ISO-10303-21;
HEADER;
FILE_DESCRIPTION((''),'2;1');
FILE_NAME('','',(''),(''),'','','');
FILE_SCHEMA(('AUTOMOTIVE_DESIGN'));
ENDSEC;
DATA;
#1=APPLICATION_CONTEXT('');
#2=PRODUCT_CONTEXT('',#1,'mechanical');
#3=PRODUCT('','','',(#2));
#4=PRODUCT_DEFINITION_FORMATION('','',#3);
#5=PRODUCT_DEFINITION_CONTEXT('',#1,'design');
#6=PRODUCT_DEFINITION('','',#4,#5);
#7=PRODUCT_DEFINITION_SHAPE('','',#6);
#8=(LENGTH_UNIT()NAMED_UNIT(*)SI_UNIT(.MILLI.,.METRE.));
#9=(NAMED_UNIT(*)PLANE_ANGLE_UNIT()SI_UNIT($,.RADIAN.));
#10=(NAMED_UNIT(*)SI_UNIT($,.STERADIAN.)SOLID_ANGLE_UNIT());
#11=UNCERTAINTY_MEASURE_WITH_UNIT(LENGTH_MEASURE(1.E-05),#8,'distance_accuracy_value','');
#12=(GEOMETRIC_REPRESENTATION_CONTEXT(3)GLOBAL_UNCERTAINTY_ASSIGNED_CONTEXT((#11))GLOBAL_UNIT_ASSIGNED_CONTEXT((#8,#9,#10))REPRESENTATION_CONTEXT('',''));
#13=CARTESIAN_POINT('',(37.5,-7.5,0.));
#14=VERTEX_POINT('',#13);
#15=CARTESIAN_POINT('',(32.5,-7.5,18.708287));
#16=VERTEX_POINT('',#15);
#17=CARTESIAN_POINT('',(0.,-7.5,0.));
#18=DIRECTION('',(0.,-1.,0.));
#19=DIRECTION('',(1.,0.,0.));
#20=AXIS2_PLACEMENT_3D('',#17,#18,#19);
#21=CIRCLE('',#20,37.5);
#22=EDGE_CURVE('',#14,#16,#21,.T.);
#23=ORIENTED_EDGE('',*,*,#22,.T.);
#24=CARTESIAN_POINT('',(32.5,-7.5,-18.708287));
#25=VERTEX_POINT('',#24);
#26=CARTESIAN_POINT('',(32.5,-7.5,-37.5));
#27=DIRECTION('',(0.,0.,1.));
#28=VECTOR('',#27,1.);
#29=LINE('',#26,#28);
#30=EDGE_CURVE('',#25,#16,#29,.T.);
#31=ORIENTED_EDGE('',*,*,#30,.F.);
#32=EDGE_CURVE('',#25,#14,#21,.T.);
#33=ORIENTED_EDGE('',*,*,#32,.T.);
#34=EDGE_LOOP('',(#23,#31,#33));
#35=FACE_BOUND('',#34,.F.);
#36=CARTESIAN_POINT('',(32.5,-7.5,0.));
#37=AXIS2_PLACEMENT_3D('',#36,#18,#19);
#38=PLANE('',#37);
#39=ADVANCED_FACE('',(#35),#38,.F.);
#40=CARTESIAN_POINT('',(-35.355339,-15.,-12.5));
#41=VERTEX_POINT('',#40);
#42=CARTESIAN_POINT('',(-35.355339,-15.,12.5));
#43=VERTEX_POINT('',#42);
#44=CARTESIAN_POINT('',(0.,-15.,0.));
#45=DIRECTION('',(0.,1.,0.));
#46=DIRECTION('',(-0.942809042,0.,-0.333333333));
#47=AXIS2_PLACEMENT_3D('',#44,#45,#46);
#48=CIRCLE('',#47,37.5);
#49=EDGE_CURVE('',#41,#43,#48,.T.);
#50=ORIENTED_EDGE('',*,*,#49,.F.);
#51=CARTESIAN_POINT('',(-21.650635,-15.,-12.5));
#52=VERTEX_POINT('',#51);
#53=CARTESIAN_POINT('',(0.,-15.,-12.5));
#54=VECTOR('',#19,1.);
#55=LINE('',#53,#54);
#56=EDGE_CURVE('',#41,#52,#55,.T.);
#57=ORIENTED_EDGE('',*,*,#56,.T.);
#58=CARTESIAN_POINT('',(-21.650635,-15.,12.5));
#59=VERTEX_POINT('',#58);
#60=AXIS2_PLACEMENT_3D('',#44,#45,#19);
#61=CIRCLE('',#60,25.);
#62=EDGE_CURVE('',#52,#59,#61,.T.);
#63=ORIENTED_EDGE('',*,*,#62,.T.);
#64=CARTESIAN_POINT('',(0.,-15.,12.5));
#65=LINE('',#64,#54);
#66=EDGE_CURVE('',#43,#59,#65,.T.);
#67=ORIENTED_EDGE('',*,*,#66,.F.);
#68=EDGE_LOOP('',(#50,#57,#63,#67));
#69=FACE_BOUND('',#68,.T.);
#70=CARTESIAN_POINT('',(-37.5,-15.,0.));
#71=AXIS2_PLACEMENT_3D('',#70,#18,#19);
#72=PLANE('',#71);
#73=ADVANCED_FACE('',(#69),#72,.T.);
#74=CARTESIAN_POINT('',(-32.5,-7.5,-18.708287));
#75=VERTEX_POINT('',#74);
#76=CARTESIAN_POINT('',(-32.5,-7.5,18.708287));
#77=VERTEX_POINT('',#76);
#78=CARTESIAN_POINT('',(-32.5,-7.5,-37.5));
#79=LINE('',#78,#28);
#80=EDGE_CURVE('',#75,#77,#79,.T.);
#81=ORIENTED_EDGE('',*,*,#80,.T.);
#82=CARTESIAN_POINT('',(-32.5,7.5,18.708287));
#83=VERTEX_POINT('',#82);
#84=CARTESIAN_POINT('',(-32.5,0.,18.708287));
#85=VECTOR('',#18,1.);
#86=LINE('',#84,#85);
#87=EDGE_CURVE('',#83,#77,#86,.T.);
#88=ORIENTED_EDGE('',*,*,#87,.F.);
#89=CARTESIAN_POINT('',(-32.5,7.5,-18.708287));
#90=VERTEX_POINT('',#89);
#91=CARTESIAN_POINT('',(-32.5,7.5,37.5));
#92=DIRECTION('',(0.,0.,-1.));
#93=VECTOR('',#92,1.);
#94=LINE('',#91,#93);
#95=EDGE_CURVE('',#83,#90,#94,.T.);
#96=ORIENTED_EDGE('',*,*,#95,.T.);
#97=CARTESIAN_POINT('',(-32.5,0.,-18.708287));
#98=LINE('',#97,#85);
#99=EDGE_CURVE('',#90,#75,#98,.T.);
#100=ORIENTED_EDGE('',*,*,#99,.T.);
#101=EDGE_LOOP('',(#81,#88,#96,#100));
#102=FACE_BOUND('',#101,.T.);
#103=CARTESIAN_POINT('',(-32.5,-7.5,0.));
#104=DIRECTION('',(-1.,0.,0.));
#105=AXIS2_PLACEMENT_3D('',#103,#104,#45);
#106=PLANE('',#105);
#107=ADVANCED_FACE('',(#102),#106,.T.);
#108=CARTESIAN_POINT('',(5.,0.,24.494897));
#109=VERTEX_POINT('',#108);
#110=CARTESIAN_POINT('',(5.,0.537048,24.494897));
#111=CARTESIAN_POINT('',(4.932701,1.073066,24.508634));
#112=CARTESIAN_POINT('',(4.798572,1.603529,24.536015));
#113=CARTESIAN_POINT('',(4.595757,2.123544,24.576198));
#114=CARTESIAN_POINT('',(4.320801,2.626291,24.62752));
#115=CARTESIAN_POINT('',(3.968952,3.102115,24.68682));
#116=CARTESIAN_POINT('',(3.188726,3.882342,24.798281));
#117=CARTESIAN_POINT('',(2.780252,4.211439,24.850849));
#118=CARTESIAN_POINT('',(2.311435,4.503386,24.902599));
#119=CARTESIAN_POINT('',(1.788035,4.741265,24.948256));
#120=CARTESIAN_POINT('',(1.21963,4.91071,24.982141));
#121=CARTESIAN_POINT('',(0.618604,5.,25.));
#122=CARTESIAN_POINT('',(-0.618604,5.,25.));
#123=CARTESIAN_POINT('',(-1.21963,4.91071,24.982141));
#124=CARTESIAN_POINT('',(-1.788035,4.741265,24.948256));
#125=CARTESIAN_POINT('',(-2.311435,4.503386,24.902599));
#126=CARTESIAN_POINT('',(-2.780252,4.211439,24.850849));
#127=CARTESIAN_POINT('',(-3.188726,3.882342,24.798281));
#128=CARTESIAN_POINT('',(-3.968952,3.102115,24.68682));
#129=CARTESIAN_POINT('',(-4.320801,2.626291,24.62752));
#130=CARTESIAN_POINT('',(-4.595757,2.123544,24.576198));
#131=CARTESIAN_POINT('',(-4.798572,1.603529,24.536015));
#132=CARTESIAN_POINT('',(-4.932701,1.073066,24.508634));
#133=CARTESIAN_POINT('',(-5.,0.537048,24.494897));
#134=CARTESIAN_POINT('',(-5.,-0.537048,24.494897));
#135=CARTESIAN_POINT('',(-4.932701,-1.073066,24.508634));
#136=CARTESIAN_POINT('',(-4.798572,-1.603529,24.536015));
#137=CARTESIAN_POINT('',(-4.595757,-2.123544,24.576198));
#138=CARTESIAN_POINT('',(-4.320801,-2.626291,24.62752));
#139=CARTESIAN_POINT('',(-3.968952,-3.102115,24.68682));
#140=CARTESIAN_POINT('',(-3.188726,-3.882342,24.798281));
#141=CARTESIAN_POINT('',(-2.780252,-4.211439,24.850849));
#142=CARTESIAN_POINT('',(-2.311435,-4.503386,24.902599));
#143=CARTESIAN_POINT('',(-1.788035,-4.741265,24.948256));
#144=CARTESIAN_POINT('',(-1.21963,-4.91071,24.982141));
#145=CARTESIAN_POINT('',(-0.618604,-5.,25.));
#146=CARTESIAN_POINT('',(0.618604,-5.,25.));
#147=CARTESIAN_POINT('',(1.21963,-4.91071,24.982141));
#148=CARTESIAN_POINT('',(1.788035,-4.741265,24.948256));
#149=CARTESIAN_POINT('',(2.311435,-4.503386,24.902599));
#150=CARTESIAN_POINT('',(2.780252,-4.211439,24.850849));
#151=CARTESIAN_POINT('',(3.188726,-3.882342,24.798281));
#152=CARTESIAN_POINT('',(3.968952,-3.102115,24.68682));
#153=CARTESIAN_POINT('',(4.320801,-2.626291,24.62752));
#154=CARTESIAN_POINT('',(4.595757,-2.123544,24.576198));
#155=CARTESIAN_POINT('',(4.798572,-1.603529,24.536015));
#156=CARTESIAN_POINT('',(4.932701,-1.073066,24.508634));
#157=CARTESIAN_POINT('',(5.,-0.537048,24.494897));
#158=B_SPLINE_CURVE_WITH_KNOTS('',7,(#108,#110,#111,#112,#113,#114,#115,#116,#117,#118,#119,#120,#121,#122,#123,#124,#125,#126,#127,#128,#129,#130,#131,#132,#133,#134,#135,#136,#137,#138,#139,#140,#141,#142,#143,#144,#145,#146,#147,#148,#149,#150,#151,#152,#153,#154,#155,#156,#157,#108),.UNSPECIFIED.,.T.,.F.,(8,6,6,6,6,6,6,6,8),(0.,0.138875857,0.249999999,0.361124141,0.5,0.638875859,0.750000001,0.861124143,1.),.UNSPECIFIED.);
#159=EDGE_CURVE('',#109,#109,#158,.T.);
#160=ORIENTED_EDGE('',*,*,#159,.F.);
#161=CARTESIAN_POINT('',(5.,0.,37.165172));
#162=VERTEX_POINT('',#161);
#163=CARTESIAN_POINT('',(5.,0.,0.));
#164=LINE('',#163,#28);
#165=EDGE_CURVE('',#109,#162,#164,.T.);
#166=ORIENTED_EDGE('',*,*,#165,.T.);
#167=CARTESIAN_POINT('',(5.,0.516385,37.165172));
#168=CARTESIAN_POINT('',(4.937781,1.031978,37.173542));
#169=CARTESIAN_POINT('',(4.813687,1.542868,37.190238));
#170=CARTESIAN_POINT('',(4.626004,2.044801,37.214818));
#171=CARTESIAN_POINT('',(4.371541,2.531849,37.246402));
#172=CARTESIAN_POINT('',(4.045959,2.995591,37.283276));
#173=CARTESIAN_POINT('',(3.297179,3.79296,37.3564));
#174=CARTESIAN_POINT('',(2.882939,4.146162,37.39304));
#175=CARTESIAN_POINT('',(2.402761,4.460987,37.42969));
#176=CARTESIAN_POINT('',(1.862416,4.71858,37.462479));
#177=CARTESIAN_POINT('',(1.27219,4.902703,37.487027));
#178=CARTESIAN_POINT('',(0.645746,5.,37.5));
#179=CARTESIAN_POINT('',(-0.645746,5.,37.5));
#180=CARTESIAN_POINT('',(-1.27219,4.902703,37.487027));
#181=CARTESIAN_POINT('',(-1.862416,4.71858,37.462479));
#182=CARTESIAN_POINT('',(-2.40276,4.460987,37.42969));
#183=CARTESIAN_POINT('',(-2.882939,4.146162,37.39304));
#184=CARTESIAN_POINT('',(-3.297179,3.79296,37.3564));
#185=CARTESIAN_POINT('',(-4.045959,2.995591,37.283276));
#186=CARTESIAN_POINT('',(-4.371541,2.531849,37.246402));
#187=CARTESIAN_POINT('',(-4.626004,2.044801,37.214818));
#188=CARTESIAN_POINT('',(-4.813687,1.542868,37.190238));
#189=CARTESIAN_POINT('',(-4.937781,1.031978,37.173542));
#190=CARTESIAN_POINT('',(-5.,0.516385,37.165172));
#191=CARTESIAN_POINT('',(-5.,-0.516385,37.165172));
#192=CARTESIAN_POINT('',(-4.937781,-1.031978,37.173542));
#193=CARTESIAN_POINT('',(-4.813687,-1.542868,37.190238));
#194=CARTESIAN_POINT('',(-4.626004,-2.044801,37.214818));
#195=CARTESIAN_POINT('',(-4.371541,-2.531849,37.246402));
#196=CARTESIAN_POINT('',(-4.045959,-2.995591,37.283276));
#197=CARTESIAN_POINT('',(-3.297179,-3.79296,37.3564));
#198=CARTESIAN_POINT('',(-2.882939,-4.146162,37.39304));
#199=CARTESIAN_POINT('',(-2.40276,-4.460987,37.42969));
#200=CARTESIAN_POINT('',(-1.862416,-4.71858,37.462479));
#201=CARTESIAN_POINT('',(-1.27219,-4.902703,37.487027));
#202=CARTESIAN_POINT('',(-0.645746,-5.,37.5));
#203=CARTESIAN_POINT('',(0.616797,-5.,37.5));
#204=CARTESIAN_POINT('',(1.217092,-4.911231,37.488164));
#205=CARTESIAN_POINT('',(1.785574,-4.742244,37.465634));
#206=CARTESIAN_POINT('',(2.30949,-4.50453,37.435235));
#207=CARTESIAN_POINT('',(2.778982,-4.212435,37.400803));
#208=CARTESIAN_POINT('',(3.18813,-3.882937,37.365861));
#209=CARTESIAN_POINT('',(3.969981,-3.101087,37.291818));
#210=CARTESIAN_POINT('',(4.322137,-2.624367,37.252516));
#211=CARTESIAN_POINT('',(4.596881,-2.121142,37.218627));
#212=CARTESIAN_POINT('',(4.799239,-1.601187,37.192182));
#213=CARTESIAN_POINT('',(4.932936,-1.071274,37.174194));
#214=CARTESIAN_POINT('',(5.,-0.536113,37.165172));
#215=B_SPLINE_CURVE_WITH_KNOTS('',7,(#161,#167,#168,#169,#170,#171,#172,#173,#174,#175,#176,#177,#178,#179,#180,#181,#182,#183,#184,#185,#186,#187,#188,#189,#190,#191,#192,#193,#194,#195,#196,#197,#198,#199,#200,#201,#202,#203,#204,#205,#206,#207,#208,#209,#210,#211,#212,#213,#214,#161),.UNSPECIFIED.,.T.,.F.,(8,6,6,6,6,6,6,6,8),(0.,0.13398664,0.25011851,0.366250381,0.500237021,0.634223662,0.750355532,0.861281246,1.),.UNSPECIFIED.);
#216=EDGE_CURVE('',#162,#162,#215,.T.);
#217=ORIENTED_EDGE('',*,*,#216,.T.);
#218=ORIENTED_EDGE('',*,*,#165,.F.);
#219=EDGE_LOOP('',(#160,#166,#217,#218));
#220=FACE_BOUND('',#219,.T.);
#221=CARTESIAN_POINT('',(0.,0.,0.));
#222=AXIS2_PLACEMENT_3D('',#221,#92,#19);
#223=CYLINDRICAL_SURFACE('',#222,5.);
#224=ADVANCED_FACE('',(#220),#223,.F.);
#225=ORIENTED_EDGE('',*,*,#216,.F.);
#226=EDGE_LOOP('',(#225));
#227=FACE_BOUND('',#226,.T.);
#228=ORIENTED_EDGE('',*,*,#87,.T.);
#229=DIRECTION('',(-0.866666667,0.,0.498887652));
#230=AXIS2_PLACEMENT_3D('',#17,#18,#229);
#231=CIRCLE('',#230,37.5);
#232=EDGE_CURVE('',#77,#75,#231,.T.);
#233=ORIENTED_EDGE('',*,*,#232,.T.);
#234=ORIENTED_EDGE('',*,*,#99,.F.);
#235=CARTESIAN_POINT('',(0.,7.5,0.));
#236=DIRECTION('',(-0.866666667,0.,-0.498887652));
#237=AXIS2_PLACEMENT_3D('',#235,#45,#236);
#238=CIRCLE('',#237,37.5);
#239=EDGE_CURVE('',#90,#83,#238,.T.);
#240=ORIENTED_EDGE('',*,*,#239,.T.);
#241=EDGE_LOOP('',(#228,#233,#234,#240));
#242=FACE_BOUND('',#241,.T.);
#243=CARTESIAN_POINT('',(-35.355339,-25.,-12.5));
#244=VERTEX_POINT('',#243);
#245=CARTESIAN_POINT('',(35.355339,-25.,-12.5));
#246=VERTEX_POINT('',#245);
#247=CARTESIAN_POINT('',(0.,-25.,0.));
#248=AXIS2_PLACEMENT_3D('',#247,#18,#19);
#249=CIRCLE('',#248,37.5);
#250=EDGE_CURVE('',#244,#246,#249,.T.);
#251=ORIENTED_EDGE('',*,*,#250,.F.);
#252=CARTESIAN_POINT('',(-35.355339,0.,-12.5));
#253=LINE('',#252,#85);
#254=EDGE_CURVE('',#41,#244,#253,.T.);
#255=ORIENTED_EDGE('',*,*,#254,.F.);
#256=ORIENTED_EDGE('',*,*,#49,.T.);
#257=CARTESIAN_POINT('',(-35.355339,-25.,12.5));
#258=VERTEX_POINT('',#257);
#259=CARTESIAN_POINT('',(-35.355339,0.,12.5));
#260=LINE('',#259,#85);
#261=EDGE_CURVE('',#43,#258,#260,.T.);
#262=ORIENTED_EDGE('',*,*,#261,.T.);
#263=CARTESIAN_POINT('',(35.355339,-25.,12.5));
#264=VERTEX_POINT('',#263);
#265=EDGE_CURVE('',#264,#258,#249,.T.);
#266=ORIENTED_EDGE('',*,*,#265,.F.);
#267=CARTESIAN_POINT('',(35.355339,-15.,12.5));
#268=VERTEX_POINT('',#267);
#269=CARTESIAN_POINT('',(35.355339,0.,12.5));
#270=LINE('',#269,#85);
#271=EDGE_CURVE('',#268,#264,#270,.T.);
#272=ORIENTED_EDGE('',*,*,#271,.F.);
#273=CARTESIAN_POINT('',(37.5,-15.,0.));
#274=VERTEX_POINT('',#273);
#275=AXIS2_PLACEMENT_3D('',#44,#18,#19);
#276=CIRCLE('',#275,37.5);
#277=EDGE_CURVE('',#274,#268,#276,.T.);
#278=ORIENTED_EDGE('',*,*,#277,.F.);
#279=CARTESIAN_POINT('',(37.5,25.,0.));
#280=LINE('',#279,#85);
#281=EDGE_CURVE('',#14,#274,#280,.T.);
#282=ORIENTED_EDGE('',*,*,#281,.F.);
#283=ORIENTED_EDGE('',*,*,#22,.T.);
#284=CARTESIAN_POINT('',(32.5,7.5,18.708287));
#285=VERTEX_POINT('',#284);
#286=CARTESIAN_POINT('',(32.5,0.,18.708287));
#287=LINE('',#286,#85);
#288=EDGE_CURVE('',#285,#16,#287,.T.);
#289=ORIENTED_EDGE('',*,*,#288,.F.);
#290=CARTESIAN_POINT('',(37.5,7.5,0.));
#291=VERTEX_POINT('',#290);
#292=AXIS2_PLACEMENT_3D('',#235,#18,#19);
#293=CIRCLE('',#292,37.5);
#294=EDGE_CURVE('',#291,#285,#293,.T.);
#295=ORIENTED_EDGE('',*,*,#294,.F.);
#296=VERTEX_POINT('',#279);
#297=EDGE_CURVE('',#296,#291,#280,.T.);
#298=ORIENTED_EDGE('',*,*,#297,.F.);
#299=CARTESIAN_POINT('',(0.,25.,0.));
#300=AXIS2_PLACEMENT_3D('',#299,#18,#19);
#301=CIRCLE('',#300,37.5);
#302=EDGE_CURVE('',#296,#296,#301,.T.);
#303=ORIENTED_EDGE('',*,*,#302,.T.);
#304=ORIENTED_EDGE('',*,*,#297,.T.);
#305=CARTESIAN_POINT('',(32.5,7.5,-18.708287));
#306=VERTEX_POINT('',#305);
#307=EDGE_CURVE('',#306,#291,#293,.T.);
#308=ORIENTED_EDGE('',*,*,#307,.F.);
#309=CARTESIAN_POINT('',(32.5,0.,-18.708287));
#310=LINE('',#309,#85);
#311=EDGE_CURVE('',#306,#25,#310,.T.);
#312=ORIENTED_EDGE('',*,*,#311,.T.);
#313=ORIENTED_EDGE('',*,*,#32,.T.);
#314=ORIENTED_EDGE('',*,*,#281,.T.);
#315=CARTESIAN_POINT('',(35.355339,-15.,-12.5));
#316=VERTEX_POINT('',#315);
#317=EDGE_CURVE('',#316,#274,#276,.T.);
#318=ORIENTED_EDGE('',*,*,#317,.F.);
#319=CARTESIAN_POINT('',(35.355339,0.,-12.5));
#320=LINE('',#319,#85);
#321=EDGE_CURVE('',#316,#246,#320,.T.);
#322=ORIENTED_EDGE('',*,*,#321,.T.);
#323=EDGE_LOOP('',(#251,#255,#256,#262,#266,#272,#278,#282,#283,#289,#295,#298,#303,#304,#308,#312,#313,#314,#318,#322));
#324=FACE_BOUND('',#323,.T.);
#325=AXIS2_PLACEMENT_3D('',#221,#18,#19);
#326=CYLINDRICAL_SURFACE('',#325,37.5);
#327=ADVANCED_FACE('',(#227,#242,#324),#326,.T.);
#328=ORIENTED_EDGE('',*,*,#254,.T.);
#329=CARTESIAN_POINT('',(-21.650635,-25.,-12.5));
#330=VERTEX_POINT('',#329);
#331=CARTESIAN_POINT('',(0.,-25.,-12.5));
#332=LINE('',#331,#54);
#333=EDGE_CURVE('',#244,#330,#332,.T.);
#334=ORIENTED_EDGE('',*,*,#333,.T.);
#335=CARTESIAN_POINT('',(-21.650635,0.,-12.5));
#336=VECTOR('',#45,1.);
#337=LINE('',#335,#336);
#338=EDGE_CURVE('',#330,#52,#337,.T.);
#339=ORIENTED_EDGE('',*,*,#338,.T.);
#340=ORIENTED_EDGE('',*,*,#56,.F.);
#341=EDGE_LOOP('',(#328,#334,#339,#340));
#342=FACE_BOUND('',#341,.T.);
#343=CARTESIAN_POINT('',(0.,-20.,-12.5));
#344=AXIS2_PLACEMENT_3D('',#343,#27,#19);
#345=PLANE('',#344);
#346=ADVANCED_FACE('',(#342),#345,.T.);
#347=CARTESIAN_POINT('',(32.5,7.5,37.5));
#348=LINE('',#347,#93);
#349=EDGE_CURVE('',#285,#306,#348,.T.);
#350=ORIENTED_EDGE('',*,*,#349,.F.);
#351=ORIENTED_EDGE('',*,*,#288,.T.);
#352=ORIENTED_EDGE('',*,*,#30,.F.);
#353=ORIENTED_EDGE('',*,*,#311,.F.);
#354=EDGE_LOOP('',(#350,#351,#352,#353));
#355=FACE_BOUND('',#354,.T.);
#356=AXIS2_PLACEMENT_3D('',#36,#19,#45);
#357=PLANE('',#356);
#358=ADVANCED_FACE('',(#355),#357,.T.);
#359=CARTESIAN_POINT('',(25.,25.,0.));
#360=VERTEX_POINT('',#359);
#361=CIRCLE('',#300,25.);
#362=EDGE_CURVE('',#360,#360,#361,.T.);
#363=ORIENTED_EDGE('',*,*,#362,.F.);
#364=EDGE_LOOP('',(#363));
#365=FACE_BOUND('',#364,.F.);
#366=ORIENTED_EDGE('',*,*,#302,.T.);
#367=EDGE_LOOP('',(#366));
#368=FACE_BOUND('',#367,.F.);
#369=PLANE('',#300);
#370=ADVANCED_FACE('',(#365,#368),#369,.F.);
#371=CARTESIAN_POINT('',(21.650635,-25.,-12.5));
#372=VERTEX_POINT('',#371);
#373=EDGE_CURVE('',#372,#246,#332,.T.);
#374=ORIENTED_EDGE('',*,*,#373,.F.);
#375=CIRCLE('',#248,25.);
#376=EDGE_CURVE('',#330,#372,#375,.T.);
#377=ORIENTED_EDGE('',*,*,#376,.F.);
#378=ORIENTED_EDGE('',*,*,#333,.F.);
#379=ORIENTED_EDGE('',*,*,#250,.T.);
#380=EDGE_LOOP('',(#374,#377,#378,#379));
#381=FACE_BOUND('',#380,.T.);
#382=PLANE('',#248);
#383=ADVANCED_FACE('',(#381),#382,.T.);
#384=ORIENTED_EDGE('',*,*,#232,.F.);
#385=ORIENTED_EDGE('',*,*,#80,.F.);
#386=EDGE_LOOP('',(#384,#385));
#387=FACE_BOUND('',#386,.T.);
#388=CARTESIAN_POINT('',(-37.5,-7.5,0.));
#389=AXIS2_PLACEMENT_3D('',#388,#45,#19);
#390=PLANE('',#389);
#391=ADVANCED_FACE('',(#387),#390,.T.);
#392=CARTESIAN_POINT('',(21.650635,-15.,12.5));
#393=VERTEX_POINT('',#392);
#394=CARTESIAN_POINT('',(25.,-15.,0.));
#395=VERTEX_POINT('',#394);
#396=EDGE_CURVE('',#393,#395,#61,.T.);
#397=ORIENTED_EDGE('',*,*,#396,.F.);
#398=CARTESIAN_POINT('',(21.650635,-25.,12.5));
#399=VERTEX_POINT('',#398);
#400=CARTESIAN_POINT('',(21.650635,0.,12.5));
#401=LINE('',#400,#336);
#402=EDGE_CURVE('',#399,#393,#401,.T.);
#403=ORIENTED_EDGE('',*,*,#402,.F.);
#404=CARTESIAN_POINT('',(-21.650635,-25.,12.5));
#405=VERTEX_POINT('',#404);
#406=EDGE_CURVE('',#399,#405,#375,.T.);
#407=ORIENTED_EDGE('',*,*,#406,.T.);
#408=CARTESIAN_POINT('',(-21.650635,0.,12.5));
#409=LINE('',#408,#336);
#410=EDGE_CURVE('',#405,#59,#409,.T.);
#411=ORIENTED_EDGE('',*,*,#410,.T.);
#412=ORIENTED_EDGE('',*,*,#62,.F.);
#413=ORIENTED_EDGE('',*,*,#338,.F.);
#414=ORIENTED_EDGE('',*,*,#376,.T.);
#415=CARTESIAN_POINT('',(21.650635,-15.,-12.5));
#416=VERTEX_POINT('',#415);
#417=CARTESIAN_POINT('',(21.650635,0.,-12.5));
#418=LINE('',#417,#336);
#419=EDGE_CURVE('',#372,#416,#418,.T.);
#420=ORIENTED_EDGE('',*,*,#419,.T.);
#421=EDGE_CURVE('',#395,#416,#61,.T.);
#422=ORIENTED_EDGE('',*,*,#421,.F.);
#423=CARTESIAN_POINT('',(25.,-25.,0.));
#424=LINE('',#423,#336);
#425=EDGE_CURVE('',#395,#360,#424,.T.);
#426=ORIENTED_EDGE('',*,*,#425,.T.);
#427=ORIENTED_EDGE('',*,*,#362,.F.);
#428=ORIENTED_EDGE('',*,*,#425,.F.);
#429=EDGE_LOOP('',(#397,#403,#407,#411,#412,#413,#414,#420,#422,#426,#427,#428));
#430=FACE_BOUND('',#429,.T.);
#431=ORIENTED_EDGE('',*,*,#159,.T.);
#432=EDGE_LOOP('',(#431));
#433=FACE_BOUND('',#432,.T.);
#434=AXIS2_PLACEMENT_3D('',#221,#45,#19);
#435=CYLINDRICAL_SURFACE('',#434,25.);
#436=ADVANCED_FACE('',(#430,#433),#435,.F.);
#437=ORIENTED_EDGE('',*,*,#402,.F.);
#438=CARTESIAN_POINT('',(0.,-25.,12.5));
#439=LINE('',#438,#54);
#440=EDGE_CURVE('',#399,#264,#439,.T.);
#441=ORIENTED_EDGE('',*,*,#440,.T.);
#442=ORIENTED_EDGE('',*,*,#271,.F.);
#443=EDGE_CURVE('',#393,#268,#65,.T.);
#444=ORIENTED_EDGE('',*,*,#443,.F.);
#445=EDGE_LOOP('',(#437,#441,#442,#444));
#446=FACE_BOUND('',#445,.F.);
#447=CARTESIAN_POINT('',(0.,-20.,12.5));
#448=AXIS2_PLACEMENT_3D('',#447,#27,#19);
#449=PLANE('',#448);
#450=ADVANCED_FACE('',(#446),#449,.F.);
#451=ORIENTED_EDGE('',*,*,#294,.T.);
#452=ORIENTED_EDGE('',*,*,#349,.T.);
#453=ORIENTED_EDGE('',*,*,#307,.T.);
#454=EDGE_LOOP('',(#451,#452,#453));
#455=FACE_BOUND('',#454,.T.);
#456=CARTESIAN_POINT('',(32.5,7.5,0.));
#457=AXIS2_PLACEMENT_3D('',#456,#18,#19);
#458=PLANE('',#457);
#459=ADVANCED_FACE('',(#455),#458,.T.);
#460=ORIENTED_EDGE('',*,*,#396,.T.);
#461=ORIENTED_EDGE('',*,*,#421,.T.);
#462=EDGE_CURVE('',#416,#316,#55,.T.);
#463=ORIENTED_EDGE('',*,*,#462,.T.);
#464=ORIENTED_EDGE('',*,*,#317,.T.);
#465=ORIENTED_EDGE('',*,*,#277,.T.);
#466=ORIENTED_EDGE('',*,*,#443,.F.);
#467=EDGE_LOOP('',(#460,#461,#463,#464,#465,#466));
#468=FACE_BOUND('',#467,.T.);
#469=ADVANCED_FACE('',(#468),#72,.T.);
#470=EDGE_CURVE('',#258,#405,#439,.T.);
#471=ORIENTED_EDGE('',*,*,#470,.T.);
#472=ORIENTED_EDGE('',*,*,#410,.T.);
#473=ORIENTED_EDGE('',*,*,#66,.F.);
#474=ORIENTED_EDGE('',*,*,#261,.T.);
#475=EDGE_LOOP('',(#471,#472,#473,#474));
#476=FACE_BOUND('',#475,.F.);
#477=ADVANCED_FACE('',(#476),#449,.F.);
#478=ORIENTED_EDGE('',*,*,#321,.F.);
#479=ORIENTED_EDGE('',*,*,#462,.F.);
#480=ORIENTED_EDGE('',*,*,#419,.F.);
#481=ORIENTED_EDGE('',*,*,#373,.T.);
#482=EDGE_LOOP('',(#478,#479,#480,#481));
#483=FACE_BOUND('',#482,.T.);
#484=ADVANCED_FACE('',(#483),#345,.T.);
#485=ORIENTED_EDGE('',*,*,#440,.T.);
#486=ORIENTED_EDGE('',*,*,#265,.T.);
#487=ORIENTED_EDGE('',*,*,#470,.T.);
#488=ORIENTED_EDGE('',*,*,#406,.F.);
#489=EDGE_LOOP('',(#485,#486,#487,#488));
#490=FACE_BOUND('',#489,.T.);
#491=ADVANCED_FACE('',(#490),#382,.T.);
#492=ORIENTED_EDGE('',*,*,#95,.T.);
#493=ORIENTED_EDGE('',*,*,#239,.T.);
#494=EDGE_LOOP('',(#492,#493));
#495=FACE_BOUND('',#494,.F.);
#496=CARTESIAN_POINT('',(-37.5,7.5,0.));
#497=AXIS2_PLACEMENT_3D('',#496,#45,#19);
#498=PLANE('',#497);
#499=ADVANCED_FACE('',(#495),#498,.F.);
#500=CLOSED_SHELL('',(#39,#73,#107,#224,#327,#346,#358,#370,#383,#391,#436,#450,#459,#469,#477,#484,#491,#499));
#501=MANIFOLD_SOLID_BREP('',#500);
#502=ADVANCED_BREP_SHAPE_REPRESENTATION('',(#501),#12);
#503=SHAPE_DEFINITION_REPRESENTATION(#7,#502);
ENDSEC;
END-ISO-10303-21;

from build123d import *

# Parameters (mm, degrees)
F0_R     = 37.5
F0_R_2   = 25
F1_DEPTH = 25
F2_R     = 5
F3_DEPTH = 37.501
F2_W     = 5
F2_H     = 15
F4_DEPTH = 37.5
F2_W_2   = 75
F2_H_2   = 10
F5_DEPTH = 12.5


with BuildPart() as f1:
    # F0 (on Front) → F1 (new body, symmetric)
    with BuildSketch(Plane.XZ):
        Circle(F0_R)
        Circle(F0_R_2, mode=Mode.SUBTRACT)
    extrude(amount=F1_DEPTH, both=True)

    # F2 (on Top) → F3 (cut, through all)
    with BuildSketch(Plane.XY):
        Circle(F2_R)
    extrude(amount=F3_DEPTH, mode=Mode.SUBTRACT)

    # F2 (on Top) → F4 (cut, symmetric)
    with BuildSketch(Plane.XY):
        with Locations((-35, 0)):
            Rectangle(F2_W, F2_H)
        with Locations((35, 0)):
            Rectangle(F2_W, F2_H)
    extrude(amount=F4_DEPTH, both=True, mode=Mode.SUBTRACT)

    # F2 (on Top) → F5 (cut, symmetric)
    with BuildSketch(Plane.XY):
        with Locations((0, -20)):
            Rectangle(F2_W_2, F2_H_2)
    extrude(amount=F5_DEPTH, both=True, mode=Mode.SUBTRACT)


solid = f1.part
